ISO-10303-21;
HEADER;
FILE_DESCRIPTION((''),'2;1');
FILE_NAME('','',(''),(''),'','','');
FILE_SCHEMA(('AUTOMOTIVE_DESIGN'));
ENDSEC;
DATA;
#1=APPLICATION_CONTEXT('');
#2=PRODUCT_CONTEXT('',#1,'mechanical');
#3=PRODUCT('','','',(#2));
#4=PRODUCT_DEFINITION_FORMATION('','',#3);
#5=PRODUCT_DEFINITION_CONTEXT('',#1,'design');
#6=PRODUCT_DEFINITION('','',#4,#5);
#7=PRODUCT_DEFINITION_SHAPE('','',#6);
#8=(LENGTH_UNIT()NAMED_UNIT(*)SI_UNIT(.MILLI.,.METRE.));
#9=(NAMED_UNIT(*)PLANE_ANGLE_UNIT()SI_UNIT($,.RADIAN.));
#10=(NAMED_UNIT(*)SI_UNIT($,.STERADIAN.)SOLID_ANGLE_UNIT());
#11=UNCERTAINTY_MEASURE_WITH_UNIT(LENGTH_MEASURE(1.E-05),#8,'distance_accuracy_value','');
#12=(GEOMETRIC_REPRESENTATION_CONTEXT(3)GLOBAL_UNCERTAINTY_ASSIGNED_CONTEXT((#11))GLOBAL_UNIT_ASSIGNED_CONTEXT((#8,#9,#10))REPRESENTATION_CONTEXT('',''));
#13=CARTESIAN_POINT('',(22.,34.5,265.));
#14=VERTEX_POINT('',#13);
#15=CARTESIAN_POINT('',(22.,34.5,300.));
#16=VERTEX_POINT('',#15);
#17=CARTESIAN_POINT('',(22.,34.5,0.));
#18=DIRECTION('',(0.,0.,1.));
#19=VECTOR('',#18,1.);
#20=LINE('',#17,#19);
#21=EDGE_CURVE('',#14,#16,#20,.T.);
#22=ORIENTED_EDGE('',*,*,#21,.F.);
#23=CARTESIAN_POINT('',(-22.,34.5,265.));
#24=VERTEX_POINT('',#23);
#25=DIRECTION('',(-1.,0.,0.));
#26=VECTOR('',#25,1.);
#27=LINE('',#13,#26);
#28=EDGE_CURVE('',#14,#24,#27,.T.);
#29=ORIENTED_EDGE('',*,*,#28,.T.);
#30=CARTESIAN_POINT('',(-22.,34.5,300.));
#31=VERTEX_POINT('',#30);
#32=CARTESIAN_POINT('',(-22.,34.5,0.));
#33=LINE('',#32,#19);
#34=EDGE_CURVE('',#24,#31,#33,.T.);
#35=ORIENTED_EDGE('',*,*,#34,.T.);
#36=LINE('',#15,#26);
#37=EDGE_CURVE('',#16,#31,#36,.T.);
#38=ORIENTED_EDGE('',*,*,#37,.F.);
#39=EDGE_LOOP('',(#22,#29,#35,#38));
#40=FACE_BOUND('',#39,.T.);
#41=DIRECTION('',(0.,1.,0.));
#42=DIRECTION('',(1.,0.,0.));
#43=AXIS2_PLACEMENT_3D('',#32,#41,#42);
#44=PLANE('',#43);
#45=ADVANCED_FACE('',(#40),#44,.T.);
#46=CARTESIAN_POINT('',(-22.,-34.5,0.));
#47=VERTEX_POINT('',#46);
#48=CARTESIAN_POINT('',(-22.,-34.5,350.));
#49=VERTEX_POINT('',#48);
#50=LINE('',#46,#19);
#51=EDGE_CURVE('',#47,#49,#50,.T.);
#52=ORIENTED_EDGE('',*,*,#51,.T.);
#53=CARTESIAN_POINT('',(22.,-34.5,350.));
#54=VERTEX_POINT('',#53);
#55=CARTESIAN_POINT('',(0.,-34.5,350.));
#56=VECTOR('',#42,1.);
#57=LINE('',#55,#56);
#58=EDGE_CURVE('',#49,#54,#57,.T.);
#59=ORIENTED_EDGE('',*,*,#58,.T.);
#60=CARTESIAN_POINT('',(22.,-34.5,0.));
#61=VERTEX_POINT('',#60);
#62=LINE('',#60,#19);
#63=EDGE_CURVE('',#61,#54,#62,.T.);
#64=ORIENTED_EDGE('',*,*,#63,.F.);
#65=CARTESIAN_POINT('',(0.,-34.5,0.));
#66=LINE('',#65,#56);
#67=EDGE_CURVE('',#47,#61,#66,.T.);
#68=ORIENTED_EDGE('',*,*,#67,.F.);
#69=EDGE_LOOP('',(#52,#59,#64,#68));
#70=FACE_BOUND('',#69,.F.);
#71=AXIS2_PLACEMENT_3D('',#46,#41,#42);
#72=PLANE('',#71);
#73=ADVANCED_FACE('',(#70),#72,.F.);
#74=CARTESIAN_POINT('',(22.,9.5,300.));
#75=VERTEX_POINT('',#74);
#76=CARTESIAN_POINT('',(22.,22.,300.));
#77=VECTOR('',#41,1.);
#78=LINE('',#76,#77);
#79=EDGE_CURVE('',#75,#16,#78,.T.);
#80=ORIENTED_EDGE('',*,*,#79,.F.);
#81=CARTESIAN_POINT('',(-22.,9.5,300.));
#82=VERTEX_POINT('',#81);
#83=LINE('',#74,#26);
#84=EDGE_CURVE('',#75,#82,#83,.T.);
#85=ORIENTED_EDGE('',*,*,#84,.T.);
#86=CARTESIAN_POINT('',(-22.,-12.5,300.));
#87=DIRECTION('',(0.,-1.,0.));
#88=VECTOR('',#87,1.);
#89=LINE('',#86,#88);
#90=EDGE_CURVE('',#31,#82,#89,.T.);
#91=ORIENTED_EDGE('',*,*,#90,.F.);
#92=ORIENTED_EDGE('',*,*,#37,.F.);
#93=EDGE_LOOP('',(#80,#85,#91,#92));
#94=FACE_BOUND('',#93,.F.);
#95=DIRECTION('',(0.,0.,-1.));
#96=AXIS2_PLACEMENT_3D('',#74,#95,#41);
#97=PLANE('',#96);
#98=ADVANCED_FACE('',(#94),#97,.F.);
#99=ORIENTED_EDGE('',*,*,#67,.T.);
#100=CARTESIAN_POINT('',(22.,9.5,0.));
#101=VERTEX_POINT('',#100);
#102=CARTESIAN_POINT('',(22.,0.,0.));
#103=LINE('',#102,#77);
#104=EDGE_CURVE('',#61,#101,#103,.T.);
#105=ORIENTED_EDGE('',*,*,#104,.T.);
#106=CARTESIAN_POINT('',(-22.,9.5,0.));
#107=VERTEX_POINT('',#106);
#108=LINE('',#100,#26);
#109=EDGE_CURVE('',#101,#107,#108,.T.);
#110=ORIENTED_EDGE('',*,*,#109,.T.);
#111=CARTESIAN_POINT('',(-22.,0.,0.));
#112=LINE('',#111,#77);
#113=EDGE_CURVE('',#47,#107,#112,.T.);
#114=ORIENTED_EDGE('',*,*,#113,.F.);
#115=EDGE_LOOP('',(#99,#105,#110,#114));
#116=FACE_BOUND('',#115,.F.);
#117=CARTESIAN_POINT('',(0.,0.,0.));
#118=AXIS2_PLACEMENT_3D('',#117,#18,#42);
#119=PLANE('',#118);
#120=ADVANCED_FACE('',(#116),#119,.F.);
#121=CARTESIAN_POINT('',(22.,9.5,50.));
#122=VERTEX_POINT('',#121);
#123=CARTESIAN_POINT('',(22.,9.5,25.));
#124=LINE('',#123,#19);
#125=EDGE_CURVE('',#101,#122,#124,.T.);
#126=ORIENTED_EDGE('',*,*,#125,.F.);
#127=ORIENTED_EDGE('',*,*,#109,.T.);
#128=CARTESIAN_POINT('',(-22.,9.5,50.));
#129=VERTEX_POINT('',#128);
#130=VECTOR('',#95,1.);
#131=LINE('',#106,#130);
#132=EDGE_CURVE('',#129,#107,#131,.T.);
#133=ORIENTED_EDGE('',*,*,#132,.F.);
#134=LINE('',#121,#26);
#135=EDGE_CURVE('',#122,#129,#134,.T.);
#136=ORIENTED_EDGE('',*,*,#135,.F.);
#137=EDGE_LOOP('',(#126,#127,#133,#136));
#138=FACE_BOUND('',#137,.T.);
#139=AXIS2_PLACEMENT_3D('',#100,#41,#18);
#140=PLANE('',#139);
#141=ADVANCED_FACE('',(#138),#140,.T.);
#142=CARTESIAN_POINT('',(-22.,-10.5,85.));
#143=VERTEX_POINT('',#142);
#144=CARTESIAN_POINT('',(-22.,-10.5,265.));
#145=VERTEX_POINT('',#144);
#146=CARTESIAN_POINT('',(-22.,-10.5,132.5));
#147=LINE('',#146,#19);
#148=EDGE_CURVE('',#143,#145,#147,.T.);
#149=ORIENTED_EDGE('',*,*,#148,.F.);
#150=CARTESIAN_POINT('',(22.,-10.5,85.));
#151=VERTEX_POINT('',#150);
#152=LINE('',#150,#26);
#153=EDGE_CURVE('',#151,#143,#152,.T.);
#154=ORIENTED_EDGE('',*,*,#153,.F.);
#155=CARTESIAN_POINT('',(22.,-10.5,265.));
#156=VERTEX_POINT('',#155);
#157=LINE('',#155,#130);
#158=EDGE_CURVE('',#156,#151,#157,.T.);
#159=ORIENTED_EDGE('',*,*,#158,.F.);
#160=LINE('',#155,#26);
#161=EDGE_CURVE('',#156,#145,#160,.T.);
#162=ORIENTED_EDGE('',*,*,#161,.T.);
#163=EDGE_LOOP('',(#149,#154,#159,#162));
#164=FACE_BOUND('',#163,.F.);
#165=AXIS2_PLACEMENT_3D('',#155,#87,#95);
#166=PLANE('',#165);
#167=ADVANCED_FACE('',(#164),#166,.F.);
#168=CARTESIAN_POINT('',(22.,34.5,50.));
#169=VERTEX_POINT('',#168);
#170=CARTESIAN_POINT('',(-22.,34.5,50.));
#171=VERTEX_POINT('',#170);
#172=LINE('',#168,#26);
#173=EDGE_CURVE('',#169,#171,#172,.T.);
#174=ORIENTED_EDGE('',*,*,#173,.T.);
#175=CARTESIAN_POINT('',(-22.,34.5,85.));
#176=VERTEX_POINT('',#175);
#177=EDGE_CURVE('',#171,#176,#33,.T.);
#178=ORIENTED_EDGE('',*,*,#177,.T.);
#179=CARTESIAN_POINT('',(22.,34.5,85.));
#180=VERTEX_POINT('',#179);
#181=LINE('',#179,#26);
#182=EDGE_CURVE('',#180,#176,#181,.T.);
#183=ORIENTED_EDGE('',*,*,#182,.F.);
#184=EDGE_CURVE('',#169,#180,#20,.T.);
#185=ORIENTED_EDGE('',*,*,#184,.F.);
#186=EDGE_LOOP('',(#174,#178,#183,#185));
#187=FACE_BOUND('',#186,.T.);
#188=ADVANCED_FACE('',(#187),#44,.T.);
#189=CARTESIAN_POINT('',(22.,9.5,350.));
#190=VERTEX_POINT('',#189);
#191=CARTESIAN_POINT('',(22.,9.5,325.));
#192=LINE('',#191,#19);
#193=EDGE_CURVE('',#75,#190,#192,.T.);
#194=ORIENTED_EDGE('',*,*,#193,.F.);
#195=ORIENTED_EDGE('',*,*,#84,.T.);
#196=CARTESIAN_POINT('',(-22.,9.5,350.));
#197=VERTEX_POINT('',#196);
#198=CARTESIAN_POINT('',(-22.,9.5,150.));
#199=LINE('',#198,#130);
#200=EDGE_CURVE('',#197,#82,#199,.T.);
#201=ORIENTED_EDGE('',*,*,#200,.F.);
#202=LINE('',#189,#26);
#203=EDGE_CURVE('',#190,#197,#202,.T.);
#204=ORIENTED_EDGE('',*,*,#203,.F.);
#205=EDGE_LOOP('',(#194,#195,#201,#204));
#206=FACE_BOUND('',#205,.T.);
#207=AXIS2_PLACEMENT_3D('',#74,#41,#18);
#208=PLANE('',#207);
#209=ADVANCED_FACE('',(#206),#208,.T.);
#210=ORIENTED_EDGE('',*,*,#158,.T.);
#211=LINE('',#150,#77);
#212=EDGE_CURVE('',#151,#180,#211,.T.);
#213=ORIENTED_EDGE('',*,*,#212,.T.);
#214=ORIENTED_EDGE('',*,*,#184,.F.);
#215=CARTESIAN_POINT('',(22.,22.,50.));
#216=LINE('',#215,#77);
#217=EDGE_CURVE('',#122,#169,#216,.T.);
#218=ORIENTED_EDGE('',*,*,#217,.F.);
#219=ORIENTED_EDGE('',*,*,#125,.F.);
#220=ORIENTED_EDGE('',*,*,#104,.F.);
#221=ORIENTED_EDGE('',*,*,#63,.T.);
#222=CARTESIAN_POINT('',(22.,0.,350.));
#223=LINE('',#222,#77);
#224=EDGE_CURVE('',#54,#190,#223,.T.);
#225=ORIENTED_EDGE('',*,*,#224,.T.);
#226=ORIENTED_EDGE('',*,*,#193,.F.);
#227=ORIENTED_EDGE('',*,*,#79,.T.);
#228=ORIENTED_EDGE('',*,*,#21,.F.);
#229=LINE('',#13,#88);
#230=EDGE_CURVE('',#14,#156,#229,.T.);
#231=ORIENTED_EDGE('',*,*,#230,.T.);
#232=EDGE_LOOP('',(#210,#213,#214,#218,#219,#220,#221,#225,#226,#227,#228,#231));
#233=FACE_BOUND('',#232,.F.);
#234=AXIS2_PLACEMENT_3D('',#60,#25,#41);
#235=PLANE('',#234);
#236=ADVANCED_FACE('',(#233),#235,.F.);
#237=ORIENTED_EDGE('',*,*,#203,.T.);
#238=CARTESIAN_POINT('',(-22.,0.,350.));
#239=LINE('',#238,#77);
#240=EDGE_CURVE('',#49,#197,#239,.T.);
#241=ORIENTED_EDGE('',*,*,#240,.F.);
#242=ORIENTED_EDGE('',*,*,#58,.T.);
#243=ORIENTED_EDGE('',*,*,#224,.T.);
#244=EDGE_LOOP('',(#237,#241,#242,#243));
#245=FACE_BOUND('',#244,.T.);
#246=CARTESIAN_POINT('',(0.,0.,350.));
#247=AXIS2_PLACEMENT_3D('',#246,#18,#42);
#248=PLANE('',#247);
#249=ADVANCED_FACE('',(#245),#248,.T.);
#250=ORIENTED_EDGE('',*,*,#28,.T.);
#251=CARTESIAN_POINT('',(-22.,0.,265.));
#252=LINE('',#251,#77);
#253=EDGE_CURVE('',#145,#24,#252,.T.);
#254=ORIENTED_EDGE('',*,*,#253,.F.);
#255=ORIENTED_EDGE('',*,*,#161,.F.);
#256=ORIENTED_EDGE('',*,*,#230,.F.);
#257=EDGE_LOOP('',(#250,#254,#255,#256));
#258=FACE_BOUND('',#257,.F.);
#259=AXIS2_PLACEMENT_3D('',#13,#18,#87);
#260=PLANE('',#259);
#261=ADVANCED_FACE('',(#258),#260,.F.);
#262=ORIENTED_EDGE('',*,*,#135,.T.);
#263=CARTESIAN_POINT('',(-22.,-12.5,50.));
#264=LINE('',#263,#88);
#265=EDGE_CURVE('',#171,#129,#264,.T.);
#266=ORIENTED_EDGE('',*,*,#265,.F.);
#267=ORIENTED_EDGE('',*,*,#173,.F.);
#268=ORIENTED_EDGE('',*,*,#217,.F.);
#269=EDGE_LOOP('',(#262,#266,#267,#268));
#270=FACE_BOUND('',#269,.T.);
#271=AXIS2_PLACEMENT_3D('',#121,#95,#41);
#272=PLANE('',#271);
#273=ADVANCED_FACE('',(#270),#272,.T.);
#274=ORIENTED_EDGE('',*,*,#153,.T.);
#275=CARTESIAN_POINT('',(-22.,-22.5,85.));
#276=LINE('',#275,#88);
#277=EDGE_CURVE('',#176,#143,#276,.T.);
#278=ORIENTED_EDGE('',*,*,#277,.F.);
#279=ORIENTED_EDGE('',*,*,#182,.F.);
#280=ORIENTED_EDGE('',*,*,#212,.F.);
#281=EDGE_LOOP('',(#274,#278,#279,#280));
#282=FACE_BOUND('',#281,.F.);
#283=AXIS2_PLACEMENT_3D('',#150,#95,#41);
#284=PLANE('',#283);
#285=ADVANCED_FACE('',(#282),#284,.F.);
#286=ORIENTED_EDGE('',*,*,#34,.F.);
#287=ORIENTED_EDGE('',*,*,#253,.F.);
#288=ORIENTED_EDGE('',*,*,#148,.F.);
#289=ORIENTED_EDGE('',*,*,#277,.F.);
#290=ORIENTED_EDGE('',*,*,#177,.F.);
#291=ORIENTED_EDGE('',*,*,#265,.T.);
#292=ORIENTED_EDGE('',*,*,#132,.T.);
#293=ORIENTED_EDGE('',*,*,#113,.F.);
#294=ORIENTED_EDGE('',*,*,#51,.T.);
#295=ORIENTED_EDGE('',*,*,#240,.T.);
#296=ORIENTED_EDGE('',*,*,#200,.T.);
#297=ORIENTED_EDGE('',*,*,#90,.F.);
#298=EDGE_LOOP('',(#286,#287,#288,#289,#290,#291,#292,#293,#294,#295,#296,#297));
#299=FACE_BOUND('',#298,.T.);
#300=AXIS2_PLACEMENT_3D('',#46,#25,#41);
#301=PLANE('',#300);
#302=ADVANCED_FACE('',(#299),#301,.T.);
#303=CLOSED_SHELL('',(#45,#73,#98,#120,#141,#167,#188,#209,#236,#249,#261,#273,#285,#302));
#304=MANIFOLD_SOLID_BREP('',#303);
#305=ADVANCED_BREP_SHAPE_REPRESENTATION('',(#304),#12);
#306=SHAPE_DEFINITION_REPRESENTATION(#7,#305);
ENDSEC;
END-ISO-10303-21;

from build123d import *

# Parameters (mm, degrees)
F0_W     = 44
F0_H     = 69
F1_DEPTH = 350
F2_W     = 25
F2_H     = 50
F3_DEPTH = 44.001


with BuildPart() as f1:
    # F0 (on Top) → F1 (new body)
    with BuildSketch(Plane.XY):
        Rectangle(F0_W, F0_H)
    extrude(amount=F1_DEPTH)

    # F2 (on face) → F3 (cut, through all)
    with BuildSketch(Plane.YZ.offset(22)):
        Polygon((-10.5, 85), (34.5, 85), (34.5, 175), (34.5, 265), (-10.5, 265), (-10.5, 175), align=None)
        with Locations((22, 25)):
            Rectangle(F2_W, F2_H)
        with Locations((22, 325)):
            Rectangle(F2_W, F2_H)
    extrude(amount=-F3_DEPTH, mode=Mode.SUBTRACT)


solid = f1.part
